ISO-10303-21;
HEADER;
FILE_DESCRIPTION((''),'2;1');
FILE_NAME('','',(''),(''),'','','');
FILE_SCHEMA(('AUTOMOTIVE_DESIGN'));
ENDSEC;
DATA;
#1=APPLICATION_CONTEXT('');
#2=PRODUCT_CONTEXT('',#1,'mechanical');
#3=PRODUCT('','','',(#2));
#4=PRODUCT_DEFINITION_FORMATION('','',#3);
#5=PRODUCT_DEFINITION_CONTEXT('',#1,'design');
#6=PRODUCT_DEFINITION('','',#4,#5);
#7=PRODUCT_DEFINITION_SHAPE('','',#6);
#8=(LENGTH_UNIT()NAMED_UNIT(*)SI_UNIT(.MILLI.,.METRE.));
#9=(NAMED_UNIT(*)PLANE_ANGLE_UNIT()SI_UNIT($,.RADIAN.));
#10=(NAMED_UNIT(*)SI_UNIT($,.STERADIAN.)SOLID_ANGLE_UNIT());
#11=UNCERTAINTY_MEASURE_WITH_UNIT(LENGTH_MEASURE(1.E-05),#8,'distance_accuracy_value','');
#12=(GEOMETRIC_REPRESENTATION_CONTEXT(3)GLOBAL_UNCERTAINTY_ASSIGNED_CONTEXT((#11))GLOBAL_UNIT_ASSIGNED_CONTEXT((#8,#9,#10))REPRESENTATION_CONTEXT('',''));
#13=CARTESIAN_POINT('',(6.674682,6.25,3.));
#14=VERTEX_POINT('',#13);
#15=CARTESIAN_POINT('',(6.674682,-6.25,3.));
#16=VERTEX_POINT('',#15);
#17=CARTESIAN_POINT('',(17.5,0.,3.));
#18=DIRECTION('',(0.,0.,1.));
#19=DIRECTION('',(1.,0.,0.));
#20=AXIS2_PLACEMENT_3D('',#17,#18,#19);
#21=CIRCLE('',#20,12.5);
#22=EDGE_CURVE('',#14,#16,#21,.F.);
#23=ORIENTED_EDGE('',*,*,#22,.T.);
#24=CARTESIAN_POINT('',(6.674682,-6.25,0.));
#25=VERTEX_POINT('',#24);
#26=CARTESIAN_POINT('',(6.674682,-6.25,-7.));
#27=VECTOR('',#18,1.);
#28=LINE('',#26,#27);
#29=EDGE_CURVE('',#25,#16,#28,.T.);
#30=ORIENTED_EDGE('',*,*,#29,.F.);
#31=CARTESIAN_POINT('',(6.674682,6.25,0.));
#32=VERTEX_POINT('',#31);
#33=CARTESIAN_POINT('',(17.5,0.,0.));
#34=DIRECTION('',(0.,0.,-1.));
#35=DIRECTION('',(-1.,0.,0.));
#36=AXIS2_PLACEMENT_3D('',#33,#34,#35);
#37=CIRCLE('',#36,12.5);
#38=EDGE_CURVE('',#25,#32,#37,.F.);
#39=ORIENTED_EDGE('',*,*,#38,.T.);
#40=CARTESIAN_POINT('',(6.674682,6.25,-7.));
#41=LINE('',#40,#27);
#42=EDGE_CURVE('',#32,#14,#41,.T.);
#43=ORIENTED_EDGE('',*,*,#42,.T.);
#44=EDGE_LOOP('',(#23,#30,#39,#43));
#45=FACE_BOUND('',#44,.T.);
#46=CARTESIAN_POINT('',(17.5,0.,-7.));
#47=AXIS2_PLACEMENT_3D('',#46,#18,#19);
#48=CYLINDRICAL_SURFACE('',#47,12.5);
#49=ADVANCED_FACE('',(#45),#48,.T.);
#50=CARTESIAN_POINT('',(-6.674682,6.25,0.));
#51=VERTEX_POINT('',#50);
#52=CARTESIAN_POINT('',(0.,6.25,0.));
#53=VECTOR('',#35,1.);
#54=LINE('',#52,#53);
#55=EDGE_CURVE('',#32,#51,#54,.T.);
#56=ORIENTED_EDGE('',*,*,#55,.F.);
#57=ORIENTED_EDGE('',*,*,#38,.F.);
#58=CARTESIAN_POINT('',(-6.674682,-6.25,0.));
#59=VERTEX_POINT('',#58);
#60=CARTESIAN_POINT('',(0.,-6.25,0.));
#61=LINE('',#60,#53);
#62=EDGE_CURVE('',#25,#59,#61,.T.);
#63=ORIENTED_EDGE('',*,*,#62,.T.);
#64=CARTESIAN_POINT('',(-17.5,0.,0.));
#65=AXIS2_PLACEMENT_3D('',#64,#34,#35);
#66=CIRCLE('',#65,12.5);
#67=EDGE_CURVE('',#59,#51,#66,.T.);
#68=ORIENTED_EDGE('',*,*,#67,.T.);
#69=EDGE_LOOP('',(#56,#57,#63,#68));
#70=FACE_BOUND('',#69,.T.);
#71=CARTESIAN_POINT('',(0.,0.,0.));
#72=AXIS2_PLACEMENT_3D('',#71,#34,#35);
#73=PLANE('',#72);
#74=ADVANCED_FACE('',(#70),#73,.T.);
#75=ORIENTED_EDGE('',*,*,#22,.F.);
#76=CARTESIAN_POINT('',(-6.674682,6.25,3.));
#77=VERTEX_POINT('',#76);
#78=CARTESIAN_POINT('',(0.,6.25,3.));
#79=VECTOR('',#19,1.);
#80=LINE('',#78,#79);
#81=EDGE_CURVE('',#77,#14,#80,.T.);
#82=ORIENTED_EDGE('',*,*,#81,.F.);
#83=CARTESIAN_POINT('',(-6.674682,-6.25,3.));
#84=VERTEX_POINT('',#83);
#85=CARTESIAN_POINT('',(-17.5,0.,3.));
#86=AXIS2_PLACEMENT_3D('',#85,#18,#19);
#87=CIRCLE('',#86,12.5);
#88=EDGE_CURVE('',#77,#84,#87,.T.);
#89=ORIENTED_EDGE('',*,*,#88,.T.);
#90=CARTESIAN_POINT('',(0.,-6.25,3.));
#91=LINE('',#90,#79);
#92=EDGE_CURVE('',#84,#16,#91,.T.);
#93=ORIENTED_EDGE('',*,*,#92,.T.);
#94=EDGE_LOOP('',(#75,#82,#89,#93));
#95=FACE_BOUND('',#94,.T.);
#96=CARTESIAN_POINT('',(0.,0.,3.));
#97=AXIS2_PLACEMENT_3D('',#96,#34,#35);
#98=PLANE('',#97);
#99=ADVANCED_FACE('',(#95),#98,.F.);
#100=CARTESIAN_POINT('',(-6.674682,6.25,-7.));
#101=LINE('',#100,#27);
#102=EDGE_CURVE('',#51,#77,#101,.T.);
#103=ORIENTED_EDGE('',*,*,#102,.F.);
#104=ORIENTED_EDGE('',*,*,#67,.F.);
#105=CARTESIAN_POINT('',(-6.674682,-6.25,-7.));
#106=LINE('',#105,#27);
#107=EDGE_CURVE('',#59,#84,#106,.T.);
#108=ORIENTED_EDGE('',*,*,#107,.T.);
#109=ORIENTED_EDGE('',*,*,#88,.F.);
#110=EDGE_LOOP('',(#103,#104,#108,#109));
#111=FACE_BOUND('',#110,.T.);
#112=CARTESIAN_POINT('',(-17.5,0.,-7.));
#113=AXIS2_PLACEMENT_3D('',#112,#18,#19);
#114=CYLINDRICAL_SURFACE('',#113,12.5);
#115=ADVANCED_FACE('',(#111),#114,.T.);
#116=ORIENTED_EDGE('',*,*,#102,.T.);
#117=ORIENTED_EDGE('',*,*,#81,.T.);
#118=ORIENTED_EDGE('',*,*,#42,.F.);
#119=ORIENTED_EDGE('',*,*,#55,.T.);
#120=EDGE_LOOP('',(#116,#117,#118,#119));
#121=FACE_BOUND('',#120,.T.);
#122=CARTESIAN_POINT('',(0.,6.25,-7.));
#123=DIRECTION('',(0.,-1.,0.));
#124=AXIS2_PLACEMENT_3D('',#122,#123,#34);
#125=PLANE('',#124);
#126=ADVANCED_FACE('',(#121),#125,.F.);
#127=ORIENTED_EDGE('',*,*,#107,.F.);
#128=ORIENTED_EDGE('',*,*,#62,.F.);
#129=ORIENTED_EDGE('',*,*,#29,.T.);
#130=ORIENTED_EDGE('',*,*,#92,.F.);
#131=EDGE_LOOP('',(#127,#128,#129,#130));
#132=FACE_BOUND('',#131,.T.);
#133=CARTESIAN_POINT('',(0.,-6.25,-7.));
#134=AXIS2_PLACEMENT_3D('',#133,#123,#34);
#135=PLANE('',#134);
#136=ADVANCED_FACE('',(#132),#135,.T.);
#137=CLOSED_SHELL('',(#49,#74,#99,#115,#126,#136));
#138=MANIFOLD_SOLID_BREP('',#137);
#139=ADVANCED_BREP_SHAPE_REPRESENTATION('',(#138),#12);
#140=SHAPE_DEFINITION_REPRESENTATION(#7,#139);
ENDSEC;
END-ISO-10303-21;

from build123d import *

# Parameters (mm, degrees)
ESQUISSE1_W             = 60
ESQUISSE1_H             = 25
BOSS_EXTRU_2_DEPTH      = 3
ENL_V_MAT_EXTRU_1_DEPTH = 10


with BuildPart() as part:
    # Esquisse1 → Boss.-Extru.2 (new body)
    with BuildSketch(Plane.XY):
        Rectangle(ESQUISSE1_W, ESQUISSE1_H)
    extrude(amount=BOSS_EXTRU_2_DEPTH)

    # Esquisse2 → Enlèv. mat.-Extru.1 (cut)
    with BuildSketch(Plane.XY.offset(3)):
        with BuildLine():
            Line((-6.674682453, 6.25), (0, 6.25))
            Line((0, 6.25), (6.674682453, 6.25))
            ThreePointArc((6.674682453, 6.25), (11.249999964, 10.825317527), (17.499999917, 12.5))
            Line((17.499999917, 12.5), (-17.500000011, 12.5))
            ThreePointArc((-17.500000011, 12.5), (-11.250000005, 10.82531755), (-6.674682453, 6.25))
        make_face()
        with BuildLine():
            ThreePointArc((-30, 3e-08), (-26.338834758, 8.838834771), (-17.500000011, 12.5))
            Line((-17.500000011, 12.5), (-30, 12.5))
            Line((-30, 12.5), (-30, 3e-08))
        make_face()
        with BuildLine():
            Line((-30, -12.5), (-17.50000003, -12.5))
            ThreePointArc((-17.50000003, -12.5), (-26.338834786, -8.838834744), (-30, 3e-08))
            Line((-30, 3e-08), (-30, -12.5))
        make_face()
        with BuildLine():
            Line((6.674682453, -6.25), (0, -6.25))
            Line((0, -6.25), (-6.674682453, -6.25))
            ThreePointArc((-6.674682453, -6.25), (-11.250000013, -10.825317555), (-17.50000003, -12.5))
            Line((-17.50000003, -12.5), (17.500000079, -12.5))
            ThreePointArc((17.500000079, -12.5), (11.250000034, -10.825317567), (6.674682453, -6.25))
        make_face()
        with BuildLine():
            ThreePointArc((30, -1.2e-08), (26.338834789, -8.838834741), (17.500000079, -12.5))
            Line((17.500000079, -12.5), (30, -12.5))
            Line((30, -12.5), (30, -1.2e-08))
        make_face()
        with BuildLine():
            Line((30, 12.5), (17.499999917, 12.5))
            ThreePointArc((17.499999917, 12.5), (26.33883474, 8.83883479), (30, -1.2e-08))
            Line((30, -1.2e-08), (30, 12.5))
        make_face()
    extrude(amount=-ENL_V_MAT_EXTRU_1_DEPTH, mode=Mode.SUBTRACT)


solid = part.part
